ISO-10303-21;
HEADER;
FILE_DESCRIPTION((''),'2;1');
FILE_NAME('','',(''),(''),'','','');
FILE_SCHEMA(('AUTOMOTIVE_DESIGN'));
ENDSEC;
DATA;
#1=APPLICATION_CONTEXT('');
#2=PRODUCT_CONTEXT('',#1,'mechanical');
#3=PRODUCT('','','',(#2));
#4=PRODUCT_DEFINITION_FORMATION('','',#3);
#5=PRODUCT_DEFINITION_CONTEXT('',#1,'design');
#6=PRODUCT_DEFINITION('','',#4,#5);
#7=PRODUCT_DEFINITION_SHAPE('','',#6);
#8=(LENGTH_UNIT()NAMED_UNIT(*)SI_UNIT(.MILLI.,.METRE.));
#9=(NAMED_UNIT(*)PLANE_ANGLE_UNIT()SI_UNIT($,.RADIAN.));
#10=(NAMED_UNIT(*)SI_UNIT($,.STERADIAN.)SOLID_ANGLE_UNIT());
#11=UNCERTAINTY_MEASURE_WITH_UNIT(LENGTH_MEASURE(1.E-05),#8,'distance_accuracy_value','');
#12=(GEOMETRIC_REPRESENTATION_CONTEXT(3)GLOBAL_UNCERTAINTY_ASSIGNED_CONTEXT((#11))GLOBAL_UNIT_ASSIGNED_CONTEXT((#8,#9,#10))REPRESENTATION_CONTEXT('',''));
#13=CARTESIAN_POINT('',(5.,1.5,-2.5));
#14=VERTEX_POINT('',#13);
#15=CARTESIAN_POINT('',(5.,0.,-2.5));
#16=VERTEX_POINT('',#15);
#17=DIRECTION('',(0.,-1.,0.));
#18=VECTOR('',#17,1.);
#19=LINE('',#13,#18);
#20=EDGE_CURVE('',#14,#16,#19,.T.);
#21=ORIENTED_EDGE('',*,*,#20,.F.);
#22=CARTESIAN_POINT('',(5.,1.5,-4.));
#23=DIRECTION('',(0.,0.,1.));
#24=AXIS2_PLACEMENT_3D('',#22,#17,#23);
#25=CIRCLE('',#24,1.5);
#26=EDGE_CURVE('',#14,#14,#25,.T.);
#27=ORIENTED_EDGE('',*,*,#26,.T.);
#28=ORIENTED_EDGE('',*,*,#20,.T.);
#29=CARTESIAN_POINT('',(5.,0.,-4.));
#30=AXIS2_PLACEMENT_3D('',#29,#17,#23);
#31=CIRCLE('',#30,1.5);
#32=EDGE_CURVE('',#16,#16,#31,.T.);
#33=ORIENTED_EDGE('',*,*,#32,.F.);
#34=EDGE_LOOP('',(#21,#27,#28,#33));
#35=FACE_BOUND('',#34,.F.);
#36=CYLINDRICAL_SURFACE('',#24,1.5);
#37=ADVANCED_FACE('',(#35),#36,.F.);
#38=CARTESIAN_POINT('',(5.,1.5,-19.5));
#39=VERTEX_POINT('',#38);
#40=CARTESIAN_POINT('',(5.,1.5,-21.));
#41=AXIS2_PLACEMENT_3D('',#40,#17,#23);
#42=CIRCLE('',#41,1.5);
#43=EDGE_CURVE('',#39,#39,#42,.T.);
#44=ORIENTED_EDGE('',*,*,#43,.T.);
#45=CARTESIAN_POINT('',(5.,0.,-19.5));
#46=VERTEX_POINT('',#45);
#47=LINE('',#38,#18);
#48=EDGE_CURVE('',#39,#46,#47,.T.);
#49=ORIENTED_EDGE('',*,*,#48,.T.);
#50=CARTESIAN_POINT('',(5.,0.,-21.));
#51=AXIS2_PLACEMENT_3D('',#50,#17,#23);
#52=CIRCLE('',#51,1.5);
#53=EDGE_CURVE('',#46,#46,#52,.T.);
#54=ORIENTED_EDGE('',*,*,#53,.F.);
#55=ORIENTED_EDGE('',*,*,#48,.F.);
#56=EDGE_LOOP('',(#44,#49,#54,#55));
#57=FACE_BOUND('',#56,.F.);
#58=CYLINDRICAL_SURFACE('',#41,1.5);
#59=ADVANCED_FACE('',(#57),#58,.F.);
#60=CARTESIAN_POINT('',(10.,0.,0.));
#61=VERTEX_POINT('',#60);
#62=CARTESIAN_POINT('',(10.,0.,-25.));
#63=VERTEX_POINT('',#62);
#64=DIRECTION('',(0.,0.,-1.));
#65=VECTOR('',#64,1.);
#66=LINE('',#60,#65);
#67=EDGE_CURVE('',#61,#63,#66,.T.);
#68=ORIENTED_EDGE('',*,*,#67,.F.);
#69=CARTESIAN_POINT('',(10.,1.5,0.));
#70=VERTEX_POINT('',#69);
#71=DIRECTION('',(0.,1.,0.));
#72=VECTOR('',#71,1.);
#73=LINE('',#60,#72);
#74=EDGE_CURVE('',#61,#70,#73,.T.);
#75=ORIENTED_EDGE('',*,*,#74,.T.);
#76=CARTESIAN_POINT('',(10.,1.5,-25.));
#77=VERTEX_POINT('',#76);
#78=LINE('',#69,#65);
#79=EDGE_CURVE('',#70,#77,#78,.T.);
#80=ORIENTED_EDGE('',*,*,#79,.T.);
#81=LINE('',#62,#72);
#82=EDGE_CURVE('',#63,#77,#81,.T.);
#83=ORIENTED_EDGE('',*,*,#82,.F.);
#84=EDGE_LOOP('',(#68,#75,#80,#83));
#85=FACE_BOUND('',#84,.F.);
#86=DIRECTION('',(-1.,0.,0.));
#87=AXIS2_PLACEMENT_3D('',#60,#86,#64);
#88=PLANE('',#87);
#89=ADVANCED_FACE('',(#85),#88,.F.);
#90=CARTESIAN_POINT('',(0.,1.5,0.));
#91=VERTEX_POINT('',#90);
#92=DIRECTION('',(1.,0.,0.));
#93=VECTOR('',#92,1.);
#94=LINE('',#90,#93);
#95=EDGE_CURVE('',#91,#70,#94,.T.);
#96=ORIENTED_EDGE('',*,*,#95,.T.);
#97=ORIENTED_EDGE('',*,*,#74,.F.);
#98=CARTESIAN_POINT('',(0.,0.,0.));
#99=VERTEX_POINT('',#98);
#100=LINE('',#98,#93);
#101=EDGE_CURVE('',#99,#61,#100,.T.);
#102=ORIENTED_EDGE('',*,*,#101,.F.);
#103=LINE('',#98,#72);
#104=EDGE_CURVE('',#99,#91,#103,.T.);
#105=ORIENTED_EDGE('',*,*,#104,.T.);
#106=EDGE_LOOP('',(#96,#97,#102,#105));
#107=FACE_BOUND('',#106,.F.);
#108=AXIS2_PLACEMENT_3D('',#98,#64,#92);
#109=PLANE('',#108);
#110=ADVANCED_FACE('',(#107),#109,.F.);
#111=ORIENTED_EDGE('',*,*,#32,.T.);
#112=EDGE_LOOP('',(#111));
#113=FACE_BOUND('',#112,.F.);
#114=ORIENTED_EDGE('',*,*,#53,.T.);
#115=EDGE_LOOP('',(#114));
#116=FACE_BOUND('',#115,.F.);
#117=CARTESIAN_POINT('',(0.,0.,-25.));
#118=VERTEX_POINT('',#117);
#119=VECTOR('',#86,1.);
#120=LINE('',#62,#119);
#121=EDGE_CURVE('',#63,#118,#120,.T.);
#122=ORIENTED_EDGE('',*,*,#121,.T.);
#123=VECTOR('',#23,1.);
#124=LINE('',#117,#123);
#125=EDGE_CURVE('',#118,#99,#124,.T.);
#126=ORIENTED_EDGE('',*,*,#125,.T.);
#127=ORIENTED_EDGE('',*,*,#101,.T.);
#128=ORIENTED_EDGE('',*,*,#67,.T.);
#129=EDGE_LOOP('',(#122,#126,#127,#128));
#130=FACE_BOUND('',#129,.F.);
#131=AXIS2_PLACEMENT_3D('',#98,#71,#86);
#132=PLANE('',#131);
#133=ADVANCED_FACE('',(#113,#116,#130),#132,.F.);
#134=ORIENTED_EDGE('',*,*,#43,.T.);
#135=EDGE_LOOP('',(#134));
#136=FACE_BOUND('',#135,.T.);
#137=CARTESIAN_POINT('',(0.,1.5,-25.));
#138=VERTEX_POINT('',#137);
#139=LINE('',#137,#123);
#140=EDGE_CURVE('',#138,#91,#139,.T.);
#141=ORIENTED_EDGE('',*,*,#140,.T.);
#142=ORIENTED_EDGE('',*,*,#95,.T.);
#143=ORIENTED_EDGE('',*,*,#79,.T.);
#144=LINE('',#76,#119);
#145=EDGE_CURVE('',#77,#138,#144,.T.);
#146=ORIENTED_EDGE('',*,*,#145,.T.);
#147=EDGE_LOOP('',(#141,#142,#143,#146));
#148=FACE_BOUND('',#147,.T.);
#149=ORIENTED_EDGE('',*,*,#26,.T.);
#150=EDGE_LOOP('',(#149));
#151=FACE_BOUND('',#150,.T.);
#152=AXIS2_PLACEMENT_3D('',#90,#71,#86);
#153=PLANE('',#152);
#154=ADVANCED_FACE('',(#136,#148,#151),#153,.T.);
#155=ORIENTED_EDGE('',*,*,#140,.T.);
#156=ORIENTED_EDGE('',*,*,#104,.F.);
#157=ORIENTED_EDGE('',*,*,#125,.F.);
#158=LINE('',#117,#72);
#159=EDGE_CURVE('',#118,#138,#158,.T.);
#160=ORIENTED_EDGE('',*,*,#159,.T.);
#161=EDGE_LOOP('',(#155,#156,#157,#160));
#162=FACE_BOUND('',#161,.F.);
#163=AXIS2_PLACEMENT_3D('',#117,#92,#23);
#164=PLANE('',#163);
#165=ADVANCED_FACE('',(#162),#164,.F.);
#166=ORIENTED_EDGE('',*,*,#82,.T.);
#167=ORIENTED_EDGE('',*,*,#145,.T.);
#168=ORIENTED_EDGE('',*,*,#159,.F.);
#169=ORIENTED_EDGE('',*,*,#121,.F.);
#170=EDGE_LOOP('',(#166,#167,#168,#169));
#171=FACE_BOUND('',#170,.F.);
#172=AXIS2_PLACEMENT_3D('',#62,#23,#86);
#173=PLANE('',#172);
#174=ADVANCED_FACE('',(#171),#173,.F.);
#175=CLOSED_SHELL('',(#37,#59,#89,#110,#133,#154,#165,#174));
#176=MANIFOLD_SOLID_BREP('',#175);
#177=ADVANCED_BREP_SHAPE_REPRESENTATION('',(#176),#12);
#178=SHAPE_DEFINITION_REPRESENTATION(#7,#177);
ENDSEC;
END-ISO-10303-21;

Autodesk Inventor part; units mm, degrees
ref_plane "YZ Plane" through (0, 0, 0) normal (1, 0, 0) x (0, 1, 0)
ref_plane "XZ Plane" through (0, 0, 0) normal (0, 1, 0) x (-1, 0, 0)
ref_plane "XY Plane" through (0, 0, 0) normal (0, 0, 1) x (1, 0, 0)
sketch "Skizze1" plane through (0, 0, 0) normal (0, 1, 0) x (-1, 0, 0)
  line L0 (0, 0) -> (-10, 0)
  line L1 (-10, 0) -> (-10, -25)
  line L2 (-10, -25) -> (0, -25)
  line L3 (0, -25) -> (0, 0)
  dimension "d0" = 10
  dimension "d1" = 25
extrude "Extrusion1" add sketch "Skizze1" along normal blind 1.5
sketch "Skizze2" plane through (0, 1.5, 0) normal (0, 1, 0) x (1, 0, 0)
  line L0 (0, 0) -> (10, 0) projected
  line L1 (10, 0) -> (10, 25) projected
  point P0 (5, 4)
  point P1 (5, 21)
  dimension "d4" = 17
  dimension "d6" = 4
  dimension "d7" = 5
  dimension "d8" = 5
hole "Bohrung1" at (5, 1.5, -4) at (5, 1.5, -21) direction (0, -1, 0) diameter 3 end through all
properties part number "montageplatte_rad_vorne"
